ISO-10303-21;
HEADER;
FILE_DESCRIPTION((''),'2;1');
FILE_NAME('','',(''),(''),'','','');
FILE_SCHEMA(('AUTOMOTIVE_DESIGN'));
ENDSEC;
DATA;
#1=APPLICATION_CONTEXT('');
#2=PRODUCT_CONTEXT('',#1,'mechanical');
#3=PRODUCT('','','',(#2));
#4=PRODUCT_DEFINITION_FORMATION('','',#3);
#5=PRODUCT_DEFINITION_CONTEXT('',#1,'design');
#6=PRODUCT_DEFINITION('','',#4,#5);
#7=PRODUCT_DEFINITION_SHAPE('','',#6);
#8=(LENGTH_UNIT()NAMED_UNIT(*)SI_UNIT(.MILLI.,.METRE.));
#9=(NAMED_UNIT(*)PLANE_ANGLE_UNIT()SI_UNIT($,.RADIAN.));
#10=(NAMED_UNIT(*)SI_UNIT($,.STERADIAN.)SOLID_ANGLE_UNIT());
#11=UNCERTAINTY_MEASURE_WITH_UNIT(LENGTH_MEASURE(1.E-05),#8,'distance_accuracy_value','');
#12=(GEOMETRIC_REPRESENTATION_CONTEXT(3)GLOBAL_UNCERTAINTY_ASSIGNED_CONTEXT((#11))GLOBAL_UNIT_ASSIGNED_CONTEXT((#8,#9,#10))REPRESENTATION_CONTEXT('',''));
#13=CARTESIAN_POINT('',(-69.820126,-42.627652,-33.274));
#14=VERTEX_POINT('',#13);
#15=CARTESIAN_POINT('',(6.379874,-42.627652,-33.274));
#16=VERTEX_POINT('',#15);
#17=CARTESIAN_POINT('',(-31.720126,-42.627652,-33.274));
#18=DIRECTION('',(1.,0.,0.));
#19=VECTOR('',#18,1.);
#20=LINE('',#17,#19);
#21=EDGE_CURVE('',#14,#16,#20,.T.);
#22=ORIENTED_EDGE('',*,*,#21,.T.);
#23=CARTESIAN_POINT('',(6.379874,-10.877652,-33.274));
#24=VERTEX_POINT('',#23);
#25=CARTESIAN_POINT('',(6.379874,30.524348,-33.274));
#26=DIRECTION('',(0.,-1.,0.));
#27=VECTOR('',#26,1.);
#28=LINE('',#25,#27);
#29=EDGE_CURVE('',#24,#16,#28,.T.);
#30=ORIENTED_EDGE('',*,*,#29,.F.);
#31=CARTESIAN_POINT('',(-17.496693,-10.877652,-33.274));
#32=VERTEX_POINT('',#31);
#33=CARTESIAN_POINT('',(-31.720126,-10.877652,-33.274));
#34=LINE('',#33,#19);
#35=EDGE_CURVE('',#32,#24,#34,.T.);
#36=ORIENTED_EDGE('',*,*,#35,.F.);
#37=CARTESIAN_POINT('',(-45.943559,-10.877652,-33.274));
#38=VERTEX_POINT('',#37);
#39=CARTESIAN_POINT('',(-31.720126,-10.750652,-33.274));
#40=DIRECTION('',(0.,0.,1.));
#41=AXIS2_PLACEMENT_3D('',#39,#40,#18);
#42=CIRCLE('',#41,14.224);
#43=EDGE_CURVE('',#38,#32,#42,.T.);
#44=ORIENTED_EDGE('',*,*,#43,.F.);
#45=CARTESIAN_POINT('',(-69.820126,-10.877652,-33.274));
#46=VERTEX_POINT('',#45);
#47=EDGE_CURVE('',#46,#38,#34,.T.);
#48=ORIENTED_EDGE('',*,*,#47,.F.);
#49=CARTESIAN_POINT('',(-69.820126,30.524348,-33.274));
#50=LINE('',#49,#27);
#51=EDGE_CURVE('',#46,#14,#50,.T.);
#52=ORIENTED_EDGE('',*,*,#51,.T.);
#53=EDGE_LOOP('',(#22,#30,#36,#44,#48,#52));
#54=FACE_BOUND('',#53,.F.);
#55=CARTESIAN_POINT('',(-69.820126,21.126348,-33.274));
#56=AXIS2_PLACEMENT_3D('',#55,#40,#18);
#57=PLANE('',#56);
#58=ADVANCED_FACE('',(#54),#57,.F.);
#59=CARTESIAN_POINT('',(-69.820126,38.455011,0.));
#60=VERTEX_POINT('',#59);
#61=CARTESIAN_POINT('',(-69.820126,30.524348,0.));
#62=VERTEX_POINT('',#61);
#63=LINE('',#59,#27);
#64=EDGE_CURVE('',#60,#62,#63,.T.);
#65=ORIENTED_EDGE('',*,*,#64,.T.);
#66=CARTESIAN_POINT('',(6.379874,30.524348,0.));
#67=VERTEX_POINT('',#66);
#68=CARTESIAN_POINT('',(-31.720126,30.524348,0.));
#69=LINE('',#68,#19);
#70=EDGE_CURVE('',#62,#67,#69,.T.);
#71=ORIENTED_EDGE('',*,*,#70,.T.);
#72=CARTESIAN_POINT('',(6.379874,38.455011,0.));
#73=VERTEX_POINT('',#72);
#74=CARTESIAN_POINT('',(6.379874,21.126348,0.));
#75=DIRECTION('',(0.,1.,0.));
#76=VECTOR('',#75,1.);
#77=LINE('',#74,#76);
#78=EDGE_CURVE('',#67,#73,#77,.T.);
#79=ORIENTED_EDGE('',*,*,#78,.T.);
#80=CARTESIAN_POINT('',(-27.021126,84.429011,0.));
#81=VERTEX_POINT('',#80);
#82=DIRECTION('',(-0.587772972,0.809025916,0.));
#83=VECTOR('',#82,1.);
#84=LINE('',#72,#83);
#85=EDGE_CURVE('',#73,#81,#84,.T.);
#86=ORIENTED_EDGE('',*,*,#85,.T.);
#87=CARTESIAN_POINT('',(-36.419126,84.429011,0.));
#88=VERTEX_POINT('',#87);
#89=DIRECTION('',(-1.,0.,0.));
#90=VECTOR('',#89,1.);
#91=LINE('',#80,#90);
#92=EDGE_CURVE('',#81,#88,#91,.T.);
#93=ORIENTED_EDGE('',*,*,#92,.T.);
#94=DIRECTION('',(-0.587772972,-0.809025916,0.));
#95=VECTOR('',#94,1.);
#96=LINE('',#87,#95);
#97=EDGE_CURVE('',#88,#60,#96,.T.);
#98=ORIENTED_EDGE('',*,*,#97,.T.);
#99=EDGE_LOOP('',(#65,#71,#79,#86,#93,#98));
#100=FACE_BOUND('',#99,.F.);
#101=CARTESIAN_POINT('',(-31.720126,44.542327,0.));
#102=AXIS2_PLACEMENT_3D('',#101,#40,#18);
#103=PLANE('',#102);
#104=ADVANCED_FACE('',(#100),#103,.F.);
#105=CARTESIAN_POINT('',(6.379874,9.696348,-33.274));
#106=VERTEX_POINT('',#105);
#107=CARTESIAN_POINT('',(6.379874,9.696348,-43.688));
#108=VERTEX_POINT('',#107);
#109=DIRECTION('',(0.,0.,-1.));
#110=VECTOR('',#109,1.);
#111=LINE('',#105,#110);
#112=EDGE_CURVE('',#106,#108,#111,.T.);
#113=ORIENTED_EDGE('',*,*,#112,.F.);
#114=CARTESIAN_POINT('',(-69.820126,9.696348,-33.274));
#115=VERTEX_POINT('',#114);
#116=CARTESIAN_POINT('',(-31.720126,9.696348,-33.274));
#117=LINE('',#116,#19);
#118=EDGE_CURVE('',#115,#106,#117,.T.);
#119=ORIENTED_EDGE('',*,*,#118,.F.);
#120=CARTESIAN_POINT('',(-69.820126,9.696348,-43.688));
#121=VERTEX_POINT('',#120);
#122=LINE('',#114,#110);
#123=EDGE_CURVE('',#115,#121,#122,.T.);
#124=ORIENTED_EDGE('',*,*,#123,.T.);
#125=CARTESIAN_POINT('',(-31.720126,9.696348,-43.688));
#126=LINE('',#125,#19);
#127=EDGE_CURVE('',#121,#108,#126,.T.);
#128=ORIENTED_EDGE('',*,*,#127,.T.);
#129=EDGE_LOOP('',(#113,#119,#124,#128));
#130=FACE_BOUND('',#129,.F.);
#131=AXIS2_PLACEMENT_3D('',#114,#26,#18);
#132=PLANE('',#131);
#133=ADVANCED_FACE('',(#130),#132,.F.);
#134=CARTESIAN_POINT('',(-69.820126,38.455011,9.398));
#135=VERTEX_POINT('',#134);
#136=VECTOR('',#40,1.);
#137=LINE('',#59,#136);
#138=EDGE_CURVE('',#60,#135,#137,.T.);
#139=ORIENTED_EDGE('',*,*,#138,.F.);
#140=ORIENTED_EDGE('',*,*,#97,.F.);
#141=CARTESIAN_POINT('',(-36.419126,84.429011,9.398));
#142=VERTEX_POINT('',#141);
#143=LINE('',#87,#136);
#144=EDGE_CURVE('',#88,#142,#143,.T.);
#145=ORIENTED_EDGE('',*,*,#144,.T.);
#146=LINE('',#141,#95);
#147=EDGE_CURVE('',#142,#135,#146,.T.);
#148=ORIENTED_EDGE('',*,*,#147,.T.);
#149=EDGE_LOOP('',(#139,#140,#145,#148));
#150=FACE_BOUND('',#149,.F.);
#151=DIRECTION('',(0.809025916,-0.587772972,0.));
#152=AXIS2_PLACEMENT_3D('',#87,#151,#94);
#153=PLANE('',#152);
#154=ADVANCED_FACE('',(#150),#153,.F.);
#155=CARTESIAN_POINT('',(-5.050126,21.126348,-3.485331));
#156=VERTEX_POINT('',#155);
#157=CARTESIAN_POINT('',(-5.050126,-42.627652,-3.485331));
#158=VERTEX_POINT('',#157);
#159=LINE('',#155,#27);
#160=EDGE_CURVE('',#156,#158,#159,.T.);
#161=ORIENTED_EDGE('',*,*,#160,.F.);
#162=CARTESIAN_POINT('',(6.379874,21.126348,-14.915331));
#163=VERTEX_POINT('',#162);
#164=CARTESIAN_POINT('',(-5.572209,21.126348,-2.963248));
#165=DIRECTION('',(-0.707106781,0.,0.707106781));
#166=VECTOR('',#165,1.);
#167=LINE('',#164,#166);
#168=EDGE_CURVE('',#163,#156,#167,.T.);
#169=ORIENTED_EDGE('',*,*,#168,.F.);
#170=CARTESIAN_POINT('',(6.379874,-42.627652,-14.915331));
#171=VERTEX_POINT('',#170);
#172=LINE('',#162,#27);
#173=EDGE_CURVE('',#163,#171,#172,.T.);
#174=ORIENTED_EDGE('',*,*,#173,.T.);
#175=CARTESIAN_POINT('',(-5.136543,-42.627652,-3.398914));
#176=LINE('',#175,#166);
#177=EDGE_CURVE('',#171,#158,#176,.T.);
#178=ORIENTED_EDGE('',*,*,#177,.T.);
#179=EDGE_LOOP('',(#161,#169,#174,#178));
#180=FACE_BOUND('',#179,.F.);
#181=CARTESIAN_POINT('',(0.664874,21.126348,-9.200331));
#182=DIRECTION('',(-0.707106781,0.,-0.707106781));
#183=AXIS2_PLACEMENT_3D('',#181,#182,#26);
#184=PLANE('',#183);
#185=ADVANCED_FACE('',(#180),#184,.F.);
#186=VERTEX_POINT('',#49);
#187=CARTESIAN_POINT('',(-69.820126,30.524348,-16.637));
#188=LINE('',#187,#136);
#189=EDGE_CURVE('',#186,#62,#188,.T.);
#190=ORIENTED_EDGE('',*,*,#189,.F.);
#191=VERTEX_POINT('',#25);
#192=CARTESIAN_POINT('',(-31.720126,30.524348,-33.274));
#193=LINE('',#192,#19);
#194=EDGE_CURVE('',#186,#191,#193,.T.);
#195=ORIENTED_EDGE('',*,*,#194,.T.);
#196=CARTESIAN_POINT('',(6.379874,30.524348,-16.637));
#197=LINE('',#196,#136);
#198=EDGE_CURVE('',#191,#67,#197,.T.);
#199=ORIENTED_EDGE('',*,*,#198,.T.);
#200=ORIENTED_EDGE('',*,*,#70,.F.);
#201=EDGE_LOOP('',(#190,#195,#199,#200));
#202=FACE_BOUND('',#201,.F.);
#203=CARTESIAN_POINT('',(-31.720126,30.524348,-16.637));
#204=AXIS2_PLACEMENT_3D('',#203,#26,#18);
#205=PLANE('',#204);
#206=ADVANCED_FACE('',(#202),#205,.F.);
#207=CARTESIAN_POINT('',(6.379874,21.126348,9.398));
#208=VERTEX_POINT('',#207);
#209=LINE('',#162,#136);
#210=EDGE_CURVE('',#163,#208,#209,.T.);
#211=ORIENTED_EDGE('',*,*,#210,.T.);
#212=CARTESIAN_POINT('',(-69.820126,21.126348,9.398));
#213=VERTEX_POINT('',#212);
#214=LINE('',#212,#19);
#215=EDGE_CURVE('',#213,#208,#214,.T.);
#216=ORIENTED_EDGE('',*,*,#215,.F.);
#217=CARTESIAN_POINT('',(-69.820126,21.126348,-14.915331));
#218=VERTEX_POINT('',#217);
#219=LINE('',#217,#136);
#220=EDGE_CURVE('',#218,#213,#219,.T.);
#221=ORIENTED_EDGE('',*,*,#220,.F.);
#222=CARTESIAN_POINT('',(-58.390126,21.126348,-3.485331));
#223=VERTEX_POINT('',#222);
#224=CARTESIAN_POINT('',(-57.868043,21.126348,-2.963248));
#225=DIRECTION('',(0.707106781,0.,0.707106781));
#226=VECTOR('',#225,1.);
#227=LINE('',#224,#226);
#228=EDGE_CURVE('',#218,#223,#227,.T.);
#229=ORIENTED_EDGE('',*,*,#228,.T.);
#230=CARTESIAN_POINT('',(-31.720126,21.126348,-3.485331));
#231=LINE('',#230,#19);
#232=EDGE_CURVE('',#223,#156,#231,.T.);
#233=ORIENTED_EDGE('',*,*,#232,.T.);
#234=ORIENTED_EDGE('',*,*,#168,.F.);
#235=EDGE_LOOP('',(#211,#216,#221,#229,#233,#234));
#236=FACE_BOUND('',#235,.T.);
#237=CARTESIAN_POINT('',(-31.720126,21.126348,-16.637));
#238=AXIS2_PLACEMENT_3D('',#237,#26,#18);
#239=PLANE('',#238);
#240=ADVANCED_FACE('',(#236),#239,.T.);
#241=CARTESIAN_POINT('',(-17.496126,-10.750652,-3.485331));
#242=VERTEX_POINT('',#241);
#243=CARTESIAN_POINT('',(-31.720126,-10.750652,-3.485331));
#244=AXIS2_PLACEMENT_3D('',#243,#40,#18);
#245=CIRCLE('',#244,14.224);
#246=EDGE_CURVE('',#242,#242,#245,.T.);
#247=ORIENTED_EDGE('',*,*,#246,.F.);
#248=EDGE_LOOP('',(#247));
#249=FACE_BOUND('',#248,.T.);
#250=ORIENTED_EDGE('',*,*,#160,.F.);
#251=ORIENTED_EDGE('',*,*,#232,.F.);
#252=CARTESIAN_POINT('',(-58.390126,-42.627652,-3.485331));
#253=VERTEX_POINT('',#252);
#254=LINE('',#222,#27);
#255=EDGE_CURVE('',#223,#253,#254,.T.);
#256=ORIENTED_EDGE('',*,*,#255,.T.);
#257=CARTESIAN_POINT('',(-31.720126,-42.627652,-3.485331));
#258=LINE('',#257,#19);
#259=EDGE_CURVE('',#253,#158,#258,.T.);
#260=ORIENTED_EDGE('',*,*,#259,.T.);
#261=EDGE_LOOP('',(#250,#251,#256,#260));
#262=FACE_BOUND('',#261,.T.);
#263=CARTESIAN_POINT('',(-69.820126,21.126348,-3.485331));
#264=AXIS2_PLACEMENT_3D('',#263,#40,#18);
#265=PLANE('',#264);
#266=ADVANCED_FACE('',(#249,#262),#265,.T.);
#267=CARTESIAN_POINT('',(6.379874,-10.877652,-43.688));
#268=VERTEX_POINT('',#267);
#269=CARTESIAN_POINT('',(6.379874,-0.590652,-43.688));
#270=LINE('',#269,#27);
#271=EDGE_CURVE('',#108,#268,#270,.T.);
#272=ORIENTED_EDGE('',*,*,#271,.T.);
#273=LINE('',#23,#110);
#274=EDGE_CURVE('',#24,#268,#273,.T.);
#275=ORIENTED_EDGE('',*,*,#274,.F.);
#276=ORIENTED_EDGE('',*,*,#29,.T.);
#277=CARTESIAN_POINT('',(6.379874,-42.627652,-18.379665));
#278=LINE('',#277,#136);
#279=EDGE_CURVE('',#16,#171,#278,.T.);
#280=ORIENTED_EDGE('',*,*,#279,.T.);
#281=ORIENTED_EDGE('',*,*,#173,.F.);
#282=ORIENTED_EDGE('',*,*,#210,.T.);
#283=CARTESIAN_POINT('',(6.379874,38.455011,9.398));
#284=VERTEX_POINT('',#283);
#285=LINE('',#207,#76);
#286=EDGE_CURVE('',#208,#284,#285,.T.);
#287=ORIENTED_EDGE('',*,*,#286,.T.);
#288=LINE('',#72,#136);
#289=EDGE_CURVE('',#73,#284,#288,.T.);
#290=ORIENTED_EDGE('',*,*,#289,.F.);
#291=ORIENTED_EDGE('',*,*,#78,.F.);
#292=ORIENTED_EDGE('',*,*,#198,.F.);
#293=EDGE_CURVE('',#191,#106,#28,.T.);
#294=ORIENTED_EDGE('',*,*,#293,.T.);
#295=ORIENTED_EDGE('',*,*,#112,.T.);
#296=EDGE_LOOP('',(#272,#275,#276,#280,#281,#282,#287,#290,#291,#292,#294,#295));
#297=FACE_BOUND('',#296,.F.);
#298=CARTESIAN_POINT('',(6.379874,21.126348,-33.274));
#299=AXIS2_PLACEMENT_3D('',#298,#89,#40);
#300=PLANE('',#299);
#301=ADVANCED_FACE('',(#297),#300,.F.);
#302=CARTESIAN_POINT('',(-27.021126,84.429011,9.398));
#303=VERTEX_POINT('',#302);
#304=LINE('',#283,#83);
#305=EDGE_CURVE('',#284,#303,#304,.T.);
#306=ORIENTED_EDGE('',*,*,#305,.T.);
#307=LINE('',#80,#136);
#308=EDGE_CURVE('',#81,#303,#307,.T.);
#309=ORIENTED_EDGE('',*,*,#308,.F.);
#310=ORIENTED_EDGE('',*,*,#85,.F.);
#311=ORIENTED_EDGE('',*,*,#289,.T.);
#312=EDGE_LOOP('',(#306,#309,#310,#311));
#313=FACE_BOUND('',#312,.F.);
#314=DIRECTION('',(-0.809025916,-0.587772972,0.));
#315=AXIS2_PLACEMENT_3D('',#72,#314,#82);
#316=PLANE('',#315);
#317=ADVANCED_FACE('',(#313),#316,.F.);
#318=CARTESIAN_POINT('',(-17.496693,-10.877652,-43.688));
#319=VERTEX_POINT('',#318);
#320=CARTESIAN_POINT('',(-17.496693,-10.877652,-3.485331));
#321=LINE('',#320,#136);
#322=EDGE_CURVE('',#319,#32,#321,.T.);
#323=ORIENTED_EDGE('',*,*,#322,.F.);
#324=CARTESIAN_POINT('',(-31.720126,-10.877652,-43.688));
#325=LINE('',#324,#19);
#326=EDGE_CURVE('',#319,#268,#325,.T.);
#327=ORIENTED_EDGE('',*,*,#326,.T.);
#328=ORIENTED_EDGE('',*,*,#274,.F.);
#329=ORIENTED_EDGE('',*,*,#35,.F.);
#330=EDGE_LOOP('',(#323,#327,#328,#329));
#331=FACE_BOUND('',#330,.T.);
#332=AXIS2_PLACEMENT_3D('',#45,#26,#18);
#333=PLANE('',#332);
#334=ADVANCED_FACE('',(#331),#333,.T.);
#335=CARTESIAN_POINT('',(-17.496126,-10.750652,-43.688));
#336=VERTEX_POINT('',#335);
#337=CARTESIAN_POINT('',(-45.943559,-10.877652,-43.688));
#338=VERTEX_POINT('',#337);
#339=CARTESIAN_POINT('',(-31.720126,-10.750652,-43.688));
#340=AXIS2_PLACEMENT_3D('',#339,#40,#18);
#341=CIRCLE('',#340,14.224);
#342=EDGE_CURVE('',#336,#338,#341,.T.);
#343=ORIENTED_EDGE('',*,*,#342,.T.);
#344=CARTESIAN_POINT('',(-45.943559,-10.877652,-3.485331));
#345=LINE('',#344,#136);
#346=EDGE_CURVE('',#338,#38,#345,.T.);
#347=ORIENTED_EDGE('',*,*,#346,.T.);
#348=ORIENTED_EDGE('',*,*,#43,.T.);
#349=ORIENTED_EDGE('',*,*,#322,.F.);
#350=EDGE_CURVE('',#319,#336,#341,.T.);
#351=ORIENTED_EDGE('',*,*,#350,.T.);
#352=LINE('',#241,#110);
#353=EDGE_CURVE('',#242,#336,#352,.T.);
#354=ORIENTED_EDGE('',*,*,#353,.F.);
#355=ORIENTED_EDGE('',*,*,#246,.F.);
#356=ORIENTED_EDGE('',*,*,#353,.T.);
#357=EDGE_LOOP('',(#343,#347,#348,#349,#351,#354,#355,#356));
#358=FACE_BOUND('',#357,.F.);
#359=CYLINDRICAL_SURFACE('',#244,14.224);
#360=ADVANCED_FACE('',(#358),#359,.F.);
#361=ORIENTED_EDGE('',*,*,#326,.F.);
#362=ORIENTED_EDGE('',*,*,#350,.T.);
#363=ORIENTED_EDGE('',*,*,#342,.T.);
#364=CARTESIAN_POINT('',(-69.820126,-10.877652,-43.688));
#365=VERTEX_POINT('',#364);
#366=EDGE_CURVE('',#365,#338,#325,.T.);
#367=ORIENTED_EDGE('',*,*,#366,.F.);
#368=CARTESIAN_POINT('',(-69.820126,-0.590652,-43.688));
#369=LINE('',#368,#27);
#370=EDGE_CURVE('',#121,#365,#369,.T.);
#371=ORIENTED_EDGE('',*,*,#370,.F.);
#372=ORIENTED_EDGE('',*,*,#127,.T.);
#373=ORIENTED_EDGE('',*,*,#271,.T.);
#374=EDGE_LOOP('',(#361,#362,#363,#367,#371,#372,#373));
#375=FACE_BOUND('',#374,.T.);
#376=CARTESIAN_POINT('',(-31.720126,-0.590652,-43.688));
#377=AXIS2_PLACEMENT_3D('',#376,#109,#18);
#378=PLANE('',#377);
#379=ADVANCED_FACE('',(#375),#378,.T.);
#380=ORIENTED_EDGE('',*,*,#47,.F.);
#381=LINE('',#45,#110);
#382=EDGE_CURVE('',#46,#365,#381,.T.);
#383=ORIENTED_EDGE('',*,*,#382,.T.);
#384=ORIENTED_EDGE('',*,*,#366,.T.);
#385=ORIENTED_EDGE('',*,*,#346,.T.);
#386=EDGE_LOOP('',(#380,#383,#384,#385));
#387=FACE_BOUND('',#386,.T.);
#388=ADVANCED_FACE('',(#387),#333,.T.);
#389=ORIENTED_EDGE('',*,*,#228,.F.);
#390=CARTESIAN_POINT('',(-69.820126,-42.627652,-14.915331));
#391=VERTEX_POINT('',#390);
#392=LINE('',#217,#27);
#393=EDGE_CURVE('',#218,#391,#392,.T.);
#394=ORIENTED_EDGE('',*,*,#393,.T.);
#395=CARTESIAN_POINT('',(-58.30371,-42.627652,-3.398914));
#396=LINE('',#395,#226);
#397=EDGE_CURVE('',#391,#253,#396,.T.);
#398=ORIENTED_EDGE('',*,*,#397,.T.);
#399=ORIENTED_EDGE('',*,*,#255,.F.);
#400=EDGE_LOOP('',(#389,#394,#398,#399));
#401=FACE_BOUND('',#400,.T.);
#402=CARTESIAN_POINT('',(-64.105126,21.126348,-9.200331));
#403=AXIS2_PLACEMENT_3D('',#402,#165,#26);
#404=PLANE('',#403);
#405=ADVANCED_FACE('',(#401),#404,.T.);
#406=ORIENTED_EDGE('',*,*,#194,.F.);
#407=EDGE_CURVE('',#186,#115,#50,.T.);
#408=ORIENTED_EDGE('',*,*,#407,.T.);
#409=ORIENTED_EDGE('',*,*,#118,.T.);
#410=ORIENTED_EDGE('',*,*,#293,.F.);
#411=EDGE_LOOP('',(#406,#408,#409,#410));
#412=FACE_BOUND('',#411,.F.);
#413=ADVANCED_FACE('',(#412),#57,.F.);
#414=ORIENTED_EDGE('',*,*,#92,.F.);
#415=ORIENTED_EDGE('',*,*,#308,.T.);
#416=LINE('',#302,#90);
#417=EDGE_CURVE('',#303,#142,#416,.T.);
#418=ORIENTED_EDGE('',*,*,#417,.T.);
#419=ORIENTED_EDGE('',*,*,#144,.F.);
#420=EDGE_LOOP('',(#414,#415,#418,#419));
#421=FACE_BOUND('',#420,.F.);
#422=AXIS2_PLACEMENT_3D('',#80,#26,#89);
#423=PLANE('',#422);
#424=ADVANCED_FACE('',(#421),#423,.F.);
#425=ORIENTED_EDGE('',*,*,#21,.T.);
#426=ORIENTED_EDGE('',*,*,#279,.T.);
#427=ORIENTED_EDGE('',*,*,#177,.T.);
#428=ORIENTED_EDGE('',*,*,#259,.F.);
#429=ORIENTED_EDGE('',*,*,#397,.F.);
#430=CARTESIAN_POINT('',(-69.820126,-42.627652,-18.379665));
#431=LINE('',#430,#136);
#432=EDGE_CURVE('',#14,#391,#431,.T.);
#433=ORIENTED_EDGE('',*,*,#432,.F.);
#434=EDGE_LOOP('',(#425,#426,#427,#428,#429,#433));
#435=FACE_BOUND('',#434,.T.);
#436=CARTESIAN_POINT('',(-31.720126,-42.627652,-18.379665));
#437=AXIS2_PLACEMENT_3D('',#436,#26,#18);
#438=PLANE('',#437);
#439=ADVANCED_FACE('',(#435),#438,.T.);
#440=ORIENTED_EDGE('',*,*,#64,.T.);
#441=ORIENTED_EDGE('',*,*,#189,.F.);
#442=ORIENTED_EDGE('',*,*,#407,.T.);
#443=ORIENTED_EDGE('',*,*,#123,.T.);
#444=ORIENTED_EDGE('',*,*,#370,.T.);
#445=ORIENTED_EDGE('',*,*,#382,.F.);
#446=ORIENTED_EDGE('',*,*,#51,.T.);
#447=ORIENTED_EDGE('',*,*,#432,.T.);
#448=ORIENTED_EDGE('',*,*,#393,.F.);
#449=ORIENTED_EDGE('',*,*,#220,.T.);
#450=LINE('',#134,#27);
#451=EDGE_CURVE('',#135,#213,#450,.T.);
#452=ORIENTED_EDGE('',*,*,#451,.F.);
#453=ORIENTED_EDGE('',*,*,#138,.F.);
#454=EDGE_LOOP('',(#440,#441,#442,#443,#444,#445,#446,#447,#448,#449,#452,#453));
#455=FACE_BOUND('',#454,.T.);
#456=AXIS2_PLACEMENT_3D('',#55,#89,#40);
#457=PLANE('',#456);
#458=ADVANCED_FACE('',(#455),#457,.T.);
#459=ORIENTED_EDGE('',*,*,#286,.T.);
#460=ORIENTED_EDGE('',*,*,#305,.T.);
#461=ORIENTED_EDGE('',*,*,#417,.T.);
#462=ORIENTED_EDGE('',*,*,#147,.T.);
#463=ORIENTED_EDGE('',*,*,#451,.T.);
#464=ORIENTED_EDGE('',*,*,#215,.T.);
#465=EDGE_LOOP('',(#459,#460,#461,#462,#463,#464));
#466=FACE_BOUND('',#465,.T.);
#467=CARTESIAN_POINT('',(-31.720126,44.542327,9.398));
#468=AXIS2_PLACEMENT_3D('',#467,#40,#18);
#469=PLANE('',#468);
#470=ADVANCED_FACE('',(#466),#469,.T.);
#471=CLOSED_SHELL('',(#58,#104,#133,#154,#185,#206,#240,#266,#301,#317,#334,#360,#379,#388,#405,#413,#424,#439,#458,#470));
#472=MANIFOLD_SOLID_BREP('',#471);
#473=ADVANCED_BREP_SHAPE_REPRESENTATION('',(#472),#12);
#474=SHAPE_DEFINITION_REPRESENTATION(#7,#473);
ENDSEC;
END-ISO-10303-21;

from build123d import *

# Parameters (mm, degrees)
F1_DEPTH  = 9.398
F2_W      = 76.2
F2_H      = 33.274
F3_DEPTH  = 9.398
F4_W      = 76.2
F4_H      = 29.7886691538
F5_DEPTH  = 63.754
F6_SIZE   = 11.43
F7_W      = 76.2
F7_H      = 20.574
F8_DEPTH  = 10.414
F9_R      = 14.224
F10_DEPTH = 58.928


with BuildPart() as f1:
    # F0 (on Top) → F1 (new body)
    with BuildSketch(Plane.XY):
        Polygon((-69.8201261675, 38.4550108689), (-69.8201261675, 21.1263484053), (6.3798738325, 21.1263484053), (6.3798738325, 38.4550108689), (-27.0211261675, 84.4290108689), (-36.4191261675, 84.4290108689), align=None)
    extrude(amount=F1_DEPTH)

    # F2 (on face) → F3 (join)
    with BuildSketch(Plane.XZ.offset(-21.1263484053)):
        with Locations((-31.7201261675, -16.637)):
            Rectangle(F2_W, F2_H)
    extrude(amount=-F3_DEPTH)

    # F4 (on face) → F5 (join)
    with BuildSketch(Plane.XZ.offset(-21.1263484053)):
        with Locations((-31.7201261675, -18.3796654231)):
            Rectangle(F4_W, F4_H)
    extrude(amount=F5_DEPTH)

    # F6
    f6_edges = [f1.edges().sort_by_distance(p)[0] for p in [
        (6.379874, -10.750652, -3.485331),
        (-69.820126, -10.750652, -3.485331),
    ]]
    chamfer(f6_edges, length=F6_SIZE)

    # F7 (on face) → F8 (join)
    with BuildSketch(Plane(origin=(0, 0, -33.274), x_dir=(1, 0, 0), z_dir=(0, 0, -1))):
        with Locations((-31.7201261675, 0.5906515947)):
            Rectangle(F7_W, F7_H)
    extrude(amount=F8_DEPTH)

    # F9 (on face) → F10 (cut)
    with BuildSketch(Plane.XY.offset(-3.4853308462)):
        with Locations((-31.7201261675, -10.7506515947)):
            Circle(F9_R)
    extrude(amount=-F10_DEPTH, mode=Mode.SUBTRACT)


solid = f1.part
